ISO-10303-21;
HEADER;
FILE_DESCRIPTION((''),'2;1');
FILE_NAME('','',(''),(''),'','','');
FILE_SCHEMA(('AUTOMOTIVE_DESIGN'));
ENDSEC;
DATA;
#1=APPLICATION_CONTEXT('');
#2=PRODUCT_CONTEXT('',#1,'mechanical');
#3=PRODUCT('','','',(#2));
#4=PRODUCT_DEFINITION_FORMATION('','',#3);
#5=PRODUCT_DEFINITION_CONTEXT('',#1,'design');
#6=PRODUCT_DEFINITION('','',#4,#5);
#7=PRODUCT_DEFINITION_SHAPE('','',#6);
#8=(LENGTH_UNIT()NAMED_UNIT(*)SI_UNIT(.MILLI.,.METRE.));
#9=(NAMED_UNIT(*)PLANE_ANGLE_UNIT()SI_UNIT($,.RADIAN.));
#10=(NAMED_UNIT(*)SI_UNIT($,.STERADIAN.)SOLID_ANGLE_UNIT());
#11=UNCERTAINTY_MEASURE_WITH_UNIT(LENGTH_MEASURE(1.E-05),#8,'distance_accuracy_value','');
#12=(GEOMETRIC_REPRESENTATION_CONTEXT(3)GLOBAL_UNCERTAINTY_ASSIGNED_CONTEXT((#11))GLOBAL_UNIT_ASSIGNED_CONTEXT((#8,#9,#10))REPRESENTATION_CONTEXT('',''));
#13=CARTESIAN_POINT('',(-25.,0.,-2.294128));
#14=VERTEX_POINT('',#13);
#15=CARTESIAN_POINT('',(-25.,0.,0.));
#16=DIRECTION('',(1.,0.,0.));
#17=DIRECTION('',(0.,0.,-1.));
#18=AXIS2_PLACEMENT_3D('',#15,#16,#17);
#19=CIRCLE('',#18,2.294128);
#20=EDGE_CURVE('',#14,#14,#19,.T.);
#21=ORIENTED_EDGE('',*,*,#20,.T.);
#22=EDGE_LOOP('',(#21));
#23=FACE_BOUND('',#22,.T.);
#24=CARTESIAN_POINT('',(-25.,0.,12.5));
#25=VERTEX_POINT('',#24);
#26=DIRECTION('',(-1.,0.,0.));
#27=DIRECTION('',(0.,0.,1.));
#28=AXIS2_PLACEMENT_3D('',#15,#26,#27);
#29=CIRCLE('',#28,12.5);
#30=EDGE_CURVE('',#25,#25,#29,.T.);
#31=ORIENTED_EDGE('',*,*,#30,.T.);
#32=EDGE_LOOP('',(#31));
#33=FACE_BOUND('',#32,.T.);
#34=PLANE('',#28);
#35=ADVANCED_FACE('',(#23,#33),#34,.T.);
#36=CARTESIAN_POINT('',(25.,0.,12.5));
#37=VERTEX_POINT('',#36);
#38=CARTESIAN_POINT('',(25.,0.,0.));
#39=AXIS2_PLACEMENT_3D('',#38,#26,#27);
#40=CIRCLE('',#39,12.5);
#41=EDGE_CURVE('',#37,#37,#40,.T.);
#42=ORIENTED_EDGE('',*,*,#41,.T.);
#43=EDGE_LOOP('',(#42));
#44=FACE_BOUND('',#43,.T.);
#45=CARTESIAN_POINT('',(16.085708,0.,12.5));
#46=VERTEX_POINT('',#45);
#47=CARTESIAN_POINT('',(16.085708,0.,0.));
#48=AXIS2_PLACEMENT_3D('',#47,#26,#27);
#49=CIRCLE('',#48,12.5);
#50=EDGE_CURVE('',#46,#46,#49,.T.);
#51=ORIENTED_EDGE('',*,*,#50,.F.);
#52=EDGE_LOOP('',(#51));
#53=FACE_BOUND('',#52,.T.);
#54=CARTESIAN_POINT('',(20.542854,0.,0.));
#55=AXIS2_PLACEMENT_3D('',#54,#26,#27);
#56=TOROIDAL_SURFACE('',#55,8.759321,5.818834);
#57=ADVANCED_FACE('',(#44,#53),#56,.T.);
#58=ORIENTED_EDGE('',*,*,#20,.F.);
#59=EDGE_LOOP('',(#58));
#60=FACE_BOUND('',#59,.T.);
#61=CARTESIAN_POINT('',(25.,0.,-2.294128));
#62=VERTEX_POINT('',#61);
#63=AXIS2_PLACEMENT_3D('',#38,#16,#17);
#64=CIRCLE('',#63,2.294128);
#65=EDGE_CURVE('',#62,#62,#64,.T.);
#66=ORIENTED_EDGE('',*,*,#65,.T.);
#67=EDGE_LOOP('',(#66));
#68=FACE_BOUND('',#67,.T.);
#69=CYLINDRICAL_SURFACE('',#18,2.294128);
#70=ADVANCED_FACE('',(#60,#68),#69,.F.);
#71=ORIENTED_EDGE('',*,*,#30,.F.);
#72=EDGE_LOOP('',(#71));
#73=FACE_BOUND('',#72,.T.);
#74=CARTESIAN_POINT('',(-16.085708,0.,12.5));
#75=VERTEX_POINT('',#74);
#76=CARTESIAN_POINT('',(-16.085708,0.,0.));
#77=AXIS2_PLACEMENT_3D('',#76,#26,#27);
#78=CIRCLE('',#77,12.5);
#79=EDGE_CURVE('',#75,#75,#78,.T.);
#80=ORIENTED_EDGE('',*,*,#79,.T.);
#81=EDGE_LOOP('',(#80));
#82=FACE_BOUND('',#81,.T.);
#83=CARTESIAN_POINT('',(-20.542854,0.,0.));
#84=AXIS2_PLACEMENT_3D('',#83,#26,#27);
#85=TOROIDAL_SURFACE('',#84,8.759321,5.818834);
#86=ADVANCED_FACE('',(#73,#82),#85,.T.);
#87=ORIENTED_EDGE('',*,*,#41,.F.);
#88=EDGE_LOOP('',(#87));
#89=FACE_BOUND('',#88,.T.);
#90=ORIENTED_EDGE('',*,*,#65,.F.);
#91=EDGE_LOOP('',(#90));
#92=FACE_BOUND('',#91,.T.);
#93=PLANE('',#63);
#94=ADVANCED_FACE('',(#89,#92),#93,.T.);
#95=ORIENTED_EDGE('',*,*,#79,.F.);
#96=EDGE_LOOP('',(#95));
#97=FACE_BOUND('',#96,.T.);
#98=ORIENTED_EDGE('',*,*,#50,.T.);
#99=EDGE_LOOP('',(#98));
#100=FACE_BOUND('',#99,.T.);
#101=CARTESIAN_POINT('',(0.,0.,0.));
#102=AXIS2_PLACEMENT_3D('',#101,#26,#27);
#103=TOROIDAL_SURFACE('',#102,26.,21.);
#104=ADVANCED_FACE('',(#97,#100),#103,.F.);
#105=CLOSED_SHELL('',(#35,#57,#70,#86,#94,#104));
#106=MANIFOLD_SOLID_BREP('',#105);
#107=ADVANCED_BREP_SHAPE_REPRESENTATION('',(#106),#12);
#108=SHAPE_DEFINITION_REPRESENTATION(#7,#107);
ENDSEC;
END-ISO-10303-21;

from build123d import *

# Parameters (mm, degrees)
SKETCH2_R          = 2.294127532
CUT_EXTRUDE1_DEPTH = 55.083687145


with BuildPart() as part:
    # Sketch1 → Revolve1 (revolve)
    with BuildSketch(Plane.XY, mode=Mode.PRIVATE) as revolve1_sk:
        with BuildLine():
            Line((-25, 0), (25, 0))
            Line((25, 0), (25, -12.5))
            ThreePointArc((25, -12.5), (20.542853971, -14.578155052), (16.085707942, -12.5))
            ThreePointArc((16.085707942, -12.5), (0, -5), (-16.085707942, -12.5))
            ThreePointArc((-16.085707942, -12.5), (-20.542853971, -14.578155052), (-25, -12.5))
            Line((-25, -12.5), (-25, 0))
        make_face()
    revolve(revolve1_sk.sketch.rotate(Axis((-25, 0, 0), (1, 0, 0)), 270), axis=Axis((-25, 0, 0), (1, 0, 0)))

    # Sketch2 → Cut-Extrude1 (cut, through all)
    with BuildSketch(Plane(origin=(25, 0, 0), x_dir=(0, 0, -1), z_dir=(1, 0, 0))):
        Circle(SKETCH2_R)
    extrude(amount=-CUT_EXTRUDE1_DEPTH, mode=Mode.SUBTRACT)


solid = part.part
